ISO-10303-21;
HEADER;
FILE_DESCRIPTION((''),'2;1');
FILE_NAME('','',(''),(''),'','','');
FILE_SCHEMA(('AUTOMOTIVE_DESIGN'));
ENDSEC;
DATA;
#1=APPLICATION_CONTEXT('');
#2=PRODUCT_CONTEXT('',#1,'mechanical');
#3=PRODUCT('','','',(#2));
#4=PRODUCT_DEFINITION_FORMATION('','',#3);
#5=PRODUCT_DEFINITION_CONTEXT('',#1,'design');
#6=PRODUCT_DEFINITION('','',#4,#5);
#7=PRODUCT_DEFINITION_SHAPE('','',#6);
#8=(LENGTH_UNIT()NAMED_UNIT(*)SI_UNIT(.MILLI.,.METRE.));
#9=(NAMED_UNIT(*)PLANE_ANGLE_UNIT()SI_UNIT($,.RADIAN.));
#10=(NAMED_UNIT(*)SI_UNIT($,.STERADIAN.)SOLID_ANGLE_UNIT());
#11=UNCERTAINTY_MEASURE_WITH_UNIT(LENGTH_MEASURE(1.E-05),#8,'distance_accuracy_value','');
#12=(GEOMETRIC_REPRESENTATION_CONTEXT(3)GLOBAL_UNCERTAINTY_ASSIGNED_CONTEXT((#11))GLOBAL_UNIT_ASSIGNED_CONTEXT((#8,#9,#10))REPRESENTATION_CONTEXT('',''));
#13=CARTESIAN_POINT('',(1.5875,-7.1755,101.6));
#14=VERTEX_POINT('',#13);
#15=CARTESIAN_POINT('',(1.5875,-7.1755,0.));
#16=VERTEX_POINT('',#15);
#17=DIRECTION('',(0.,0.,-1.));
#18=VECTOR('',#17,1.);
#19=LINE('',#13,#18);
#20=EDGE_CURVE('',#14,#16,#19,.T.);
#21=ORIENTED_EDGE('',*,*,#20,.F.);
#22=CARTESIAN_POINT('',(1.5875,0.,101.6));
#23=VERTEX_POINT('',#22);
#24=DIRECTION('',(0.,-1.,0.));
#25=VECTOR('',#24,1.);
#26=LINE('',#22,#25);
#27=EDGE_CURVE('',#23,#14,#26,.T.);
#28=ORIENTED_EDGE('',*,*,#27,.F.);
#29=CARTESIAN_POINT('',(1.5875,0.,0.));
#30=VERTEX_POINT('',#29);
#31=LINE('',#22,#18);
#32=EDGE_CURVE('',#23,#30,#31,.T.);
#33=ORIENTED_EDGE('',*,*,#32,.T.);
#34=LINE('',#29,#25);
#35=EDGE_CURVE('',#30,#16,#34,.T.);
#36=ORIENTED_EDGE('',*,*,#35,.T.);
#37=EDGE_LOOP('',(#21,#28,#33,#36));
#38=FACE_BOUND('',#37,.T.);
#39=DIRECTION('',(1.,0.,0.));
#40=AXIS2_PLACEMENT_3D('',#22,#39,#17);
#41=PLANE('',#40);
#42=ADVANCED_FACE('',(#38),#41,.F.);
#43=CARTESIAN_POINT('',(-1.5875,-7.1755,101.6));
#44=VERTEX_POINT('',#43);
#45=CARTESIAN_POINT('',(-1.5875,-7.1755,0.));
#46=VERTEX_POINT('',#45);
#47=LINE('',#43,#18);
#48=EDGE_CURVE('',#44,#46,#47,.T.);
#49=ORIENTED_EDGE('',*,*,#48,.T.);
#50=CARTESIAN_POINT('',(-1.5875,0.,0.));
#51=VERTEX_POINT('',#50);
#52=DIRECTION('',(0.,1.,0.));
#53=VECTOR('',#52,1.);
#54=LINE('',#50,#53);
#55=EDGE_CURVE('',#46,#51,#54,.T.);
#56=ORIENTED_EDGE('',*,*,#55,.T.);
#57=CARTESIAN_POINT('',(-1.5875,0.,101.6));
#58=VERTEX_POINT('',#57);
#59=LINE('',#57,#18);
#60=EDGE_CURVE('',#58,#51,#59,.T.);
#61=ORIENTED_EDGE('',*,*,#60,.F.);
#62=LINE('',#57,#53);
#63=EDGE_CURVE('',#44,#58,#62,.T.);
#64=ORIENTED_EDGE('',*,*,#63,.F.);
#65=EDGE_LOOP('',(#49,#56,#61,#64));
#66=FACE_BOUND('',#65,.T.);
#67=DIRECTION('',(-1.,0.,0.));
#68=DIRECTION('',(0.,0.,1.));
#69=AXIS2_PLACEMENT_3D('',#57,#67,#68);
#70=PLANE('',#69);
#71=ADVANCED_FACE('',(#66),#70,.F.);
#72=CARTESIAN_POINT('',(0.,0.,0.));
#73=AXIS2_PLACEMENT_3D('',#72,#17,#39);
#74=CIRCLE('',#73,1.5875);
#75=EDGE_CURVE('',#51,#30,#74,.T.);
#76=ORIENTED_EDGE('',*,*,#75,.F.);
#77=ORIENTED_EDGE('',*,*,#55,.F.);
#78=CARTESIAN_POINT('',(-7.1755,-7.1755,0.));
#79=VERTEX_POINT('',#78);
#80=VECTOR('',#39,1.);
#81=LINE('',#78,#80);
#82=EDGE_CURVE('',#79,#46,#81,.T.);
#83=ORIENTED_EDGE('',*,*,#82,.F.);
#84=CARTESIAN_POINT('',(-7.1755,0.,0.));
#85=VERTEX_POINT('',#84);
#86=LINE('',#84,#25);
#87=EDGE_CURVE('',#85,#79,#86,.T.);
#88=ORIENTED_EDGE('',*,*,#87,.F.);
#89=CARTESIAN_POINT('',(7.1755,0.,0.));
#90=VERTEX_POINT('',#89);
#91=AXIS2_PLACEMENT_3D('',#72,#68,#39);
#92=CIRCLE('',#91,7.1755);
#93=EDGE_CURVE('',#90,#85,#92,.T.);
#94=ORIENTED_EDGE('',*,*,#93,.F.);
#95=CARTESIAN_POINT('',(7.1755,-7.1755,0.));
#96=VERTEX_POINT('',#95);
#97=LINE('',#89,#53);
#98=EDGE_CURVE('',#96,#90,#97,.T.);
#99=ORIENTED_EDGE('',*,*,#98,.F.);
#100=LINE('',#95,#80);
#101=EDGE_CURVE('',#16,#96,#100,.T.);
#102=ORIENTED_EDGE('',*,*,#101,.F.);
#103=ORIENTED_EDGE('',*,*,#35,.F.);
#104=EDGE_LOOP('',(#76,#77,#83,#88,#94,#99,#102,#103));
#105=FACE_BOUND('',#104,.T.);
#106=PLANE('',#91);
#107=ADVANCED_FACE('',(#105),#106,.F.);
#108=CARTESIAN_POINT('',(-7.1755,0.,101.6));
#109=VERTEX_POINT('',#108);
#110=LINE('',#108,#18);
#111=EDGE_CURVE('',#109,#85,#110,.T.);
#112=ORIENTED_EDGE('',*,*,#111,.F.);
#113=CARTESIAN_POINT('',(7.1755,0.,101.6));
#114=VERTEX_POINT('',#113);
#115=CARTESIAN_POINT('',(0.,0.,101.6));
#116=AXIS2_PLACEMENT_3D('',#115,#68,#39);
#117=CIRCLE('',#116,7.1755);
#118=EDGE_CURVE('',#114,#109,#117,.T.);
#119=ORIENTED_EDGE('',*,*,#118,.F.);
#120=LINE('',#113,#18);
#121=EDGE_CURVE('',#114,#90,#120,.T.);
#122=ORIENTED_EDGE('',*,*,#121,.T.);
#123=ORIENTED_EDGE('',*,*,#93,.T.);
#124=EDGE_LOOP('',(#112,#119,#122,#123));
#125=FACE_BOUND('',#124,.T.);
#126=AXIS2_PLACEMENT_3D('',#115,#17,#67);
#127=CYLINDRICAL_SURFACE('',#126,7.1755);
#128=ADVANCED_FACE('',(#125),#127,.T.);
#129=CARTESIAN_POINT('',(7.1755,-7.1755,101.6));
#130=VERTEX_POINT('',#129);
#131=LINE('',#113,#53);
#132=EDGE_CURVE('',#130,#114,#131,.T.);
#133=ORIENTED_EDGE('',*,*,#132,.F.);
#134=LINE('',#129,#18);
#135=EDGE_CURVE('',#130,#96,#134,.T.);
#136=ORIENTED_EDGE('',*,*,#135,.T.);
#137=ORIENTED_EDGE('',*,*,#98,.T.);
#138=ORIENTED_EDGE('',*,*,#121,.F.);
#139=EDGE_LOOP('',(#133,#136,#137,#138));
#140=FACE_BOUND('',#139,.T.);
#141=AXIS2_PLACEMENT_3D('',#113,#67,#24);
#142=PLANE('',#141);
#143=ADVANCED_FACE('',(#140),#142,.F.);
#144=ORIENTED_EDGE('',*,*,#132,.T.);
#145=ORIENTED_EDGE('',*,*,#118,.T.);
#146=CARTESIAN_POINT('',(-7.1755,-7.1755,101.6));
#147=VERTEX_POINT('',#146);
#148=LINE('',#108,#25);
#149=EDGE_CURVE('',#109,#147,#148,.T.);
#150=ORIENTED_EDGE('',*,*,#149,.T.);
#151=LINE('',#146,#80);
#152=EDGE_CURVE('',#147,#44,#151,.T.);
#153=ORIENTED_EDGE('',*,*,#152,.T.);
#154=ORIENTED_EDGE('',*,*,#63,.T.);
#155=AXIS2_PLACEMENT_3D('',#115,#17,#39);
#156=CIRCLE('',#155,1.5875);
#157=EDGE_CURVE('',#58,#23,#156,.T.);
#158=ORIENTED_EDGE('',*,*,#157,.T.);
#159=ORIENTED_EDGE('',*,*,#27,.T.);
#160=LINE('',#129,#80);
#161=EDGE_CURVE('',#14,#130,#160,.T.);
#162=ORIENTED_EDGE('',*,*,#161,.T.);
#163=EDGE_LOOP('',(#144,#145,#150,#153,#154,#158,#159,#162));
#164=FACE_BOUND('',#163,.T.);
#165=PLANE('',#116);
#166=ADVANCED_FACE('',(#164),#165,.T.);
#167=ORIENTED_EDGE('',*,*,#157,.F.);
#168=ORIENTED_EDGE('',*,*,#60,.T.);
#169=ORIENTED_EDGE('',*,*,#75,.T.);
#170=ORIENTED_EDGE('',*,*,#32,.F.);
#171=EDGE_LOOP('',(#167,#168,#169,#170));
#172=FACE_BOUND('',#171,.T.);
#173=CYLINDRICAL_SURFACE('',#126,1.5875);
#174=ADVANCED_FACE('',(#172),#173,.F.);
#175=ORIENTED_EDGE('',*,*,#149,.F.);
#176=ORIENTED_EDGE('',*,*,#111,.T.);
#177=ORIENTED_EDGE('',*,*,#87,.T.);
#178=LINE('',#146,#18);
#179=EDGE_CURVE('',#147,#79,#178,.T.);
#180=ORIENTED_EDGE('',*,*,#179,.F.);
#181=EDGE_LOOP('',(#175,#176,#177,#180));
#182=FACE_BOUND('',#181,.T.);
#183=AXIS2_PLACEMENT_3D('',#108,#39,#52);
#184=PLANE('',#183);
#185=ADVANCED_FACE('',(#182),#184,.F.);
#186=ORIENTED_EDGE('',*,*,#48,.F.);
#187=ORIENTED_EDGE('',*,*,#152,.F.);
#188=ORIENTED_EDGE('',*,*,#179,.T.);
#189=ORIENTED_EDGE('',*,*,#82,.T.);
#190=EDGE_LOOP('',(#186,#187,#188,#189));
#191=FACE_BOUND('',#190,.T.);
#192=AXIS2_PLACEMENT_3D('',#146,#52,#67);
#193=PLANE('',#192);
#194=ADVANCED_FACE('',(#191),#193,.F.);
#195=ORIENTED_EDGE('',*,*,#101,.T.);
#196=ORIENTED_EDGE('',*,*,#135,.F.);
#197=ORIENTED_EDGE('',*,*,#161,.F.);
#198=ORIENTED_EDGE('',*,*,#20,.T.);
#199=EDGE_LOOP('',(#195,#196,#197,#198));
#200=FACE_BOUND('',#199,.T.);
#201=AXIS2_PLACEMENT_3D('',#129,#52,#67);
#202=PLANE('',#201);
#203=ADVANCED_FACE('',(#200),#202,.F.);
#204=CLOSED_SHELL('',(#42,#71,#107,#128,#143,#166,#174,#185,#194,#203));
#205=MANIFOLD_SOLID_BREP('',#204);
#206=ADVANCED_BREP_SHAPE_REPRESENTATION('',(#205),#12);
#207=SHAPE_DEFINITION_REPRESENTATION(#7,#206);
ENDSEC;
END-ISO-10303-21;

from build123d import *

# Parameters (mm, degrees)
BOSS_EXTRUDE1_DEPTH = 101.6


with BuildPart() as part:
    # Sketch1 → Boss-Extrude1 (new body)
    with BuildSketch(Plane.XY):
        with BuildLine():
            Line((-1.5875, 0), (-1.5875, -7.1755))
            Line((-1.5875, -7.1755), (-7.1755, -7.1755))
            Line((-7.1755, -7.1755), (-7.1755, 0))
            ThreePointArc((-7.1755, 0), (0, 7.1755), (7.1755, 0))
            Line((7.1755, 0), (7.1755, -7.1755))
            Line((7.1755, -7.1755), (1.5875, -7.1755))
            Line((1.5875, -7.1755), (1.5875, 0))
            ThreePointArc((1.5875, 0), (0, 1.5875), (-1.5875, 0))
        make_face()
    extrude(amount=BOSS_EXTRUDE1_DEPTH)


solid = part.part
